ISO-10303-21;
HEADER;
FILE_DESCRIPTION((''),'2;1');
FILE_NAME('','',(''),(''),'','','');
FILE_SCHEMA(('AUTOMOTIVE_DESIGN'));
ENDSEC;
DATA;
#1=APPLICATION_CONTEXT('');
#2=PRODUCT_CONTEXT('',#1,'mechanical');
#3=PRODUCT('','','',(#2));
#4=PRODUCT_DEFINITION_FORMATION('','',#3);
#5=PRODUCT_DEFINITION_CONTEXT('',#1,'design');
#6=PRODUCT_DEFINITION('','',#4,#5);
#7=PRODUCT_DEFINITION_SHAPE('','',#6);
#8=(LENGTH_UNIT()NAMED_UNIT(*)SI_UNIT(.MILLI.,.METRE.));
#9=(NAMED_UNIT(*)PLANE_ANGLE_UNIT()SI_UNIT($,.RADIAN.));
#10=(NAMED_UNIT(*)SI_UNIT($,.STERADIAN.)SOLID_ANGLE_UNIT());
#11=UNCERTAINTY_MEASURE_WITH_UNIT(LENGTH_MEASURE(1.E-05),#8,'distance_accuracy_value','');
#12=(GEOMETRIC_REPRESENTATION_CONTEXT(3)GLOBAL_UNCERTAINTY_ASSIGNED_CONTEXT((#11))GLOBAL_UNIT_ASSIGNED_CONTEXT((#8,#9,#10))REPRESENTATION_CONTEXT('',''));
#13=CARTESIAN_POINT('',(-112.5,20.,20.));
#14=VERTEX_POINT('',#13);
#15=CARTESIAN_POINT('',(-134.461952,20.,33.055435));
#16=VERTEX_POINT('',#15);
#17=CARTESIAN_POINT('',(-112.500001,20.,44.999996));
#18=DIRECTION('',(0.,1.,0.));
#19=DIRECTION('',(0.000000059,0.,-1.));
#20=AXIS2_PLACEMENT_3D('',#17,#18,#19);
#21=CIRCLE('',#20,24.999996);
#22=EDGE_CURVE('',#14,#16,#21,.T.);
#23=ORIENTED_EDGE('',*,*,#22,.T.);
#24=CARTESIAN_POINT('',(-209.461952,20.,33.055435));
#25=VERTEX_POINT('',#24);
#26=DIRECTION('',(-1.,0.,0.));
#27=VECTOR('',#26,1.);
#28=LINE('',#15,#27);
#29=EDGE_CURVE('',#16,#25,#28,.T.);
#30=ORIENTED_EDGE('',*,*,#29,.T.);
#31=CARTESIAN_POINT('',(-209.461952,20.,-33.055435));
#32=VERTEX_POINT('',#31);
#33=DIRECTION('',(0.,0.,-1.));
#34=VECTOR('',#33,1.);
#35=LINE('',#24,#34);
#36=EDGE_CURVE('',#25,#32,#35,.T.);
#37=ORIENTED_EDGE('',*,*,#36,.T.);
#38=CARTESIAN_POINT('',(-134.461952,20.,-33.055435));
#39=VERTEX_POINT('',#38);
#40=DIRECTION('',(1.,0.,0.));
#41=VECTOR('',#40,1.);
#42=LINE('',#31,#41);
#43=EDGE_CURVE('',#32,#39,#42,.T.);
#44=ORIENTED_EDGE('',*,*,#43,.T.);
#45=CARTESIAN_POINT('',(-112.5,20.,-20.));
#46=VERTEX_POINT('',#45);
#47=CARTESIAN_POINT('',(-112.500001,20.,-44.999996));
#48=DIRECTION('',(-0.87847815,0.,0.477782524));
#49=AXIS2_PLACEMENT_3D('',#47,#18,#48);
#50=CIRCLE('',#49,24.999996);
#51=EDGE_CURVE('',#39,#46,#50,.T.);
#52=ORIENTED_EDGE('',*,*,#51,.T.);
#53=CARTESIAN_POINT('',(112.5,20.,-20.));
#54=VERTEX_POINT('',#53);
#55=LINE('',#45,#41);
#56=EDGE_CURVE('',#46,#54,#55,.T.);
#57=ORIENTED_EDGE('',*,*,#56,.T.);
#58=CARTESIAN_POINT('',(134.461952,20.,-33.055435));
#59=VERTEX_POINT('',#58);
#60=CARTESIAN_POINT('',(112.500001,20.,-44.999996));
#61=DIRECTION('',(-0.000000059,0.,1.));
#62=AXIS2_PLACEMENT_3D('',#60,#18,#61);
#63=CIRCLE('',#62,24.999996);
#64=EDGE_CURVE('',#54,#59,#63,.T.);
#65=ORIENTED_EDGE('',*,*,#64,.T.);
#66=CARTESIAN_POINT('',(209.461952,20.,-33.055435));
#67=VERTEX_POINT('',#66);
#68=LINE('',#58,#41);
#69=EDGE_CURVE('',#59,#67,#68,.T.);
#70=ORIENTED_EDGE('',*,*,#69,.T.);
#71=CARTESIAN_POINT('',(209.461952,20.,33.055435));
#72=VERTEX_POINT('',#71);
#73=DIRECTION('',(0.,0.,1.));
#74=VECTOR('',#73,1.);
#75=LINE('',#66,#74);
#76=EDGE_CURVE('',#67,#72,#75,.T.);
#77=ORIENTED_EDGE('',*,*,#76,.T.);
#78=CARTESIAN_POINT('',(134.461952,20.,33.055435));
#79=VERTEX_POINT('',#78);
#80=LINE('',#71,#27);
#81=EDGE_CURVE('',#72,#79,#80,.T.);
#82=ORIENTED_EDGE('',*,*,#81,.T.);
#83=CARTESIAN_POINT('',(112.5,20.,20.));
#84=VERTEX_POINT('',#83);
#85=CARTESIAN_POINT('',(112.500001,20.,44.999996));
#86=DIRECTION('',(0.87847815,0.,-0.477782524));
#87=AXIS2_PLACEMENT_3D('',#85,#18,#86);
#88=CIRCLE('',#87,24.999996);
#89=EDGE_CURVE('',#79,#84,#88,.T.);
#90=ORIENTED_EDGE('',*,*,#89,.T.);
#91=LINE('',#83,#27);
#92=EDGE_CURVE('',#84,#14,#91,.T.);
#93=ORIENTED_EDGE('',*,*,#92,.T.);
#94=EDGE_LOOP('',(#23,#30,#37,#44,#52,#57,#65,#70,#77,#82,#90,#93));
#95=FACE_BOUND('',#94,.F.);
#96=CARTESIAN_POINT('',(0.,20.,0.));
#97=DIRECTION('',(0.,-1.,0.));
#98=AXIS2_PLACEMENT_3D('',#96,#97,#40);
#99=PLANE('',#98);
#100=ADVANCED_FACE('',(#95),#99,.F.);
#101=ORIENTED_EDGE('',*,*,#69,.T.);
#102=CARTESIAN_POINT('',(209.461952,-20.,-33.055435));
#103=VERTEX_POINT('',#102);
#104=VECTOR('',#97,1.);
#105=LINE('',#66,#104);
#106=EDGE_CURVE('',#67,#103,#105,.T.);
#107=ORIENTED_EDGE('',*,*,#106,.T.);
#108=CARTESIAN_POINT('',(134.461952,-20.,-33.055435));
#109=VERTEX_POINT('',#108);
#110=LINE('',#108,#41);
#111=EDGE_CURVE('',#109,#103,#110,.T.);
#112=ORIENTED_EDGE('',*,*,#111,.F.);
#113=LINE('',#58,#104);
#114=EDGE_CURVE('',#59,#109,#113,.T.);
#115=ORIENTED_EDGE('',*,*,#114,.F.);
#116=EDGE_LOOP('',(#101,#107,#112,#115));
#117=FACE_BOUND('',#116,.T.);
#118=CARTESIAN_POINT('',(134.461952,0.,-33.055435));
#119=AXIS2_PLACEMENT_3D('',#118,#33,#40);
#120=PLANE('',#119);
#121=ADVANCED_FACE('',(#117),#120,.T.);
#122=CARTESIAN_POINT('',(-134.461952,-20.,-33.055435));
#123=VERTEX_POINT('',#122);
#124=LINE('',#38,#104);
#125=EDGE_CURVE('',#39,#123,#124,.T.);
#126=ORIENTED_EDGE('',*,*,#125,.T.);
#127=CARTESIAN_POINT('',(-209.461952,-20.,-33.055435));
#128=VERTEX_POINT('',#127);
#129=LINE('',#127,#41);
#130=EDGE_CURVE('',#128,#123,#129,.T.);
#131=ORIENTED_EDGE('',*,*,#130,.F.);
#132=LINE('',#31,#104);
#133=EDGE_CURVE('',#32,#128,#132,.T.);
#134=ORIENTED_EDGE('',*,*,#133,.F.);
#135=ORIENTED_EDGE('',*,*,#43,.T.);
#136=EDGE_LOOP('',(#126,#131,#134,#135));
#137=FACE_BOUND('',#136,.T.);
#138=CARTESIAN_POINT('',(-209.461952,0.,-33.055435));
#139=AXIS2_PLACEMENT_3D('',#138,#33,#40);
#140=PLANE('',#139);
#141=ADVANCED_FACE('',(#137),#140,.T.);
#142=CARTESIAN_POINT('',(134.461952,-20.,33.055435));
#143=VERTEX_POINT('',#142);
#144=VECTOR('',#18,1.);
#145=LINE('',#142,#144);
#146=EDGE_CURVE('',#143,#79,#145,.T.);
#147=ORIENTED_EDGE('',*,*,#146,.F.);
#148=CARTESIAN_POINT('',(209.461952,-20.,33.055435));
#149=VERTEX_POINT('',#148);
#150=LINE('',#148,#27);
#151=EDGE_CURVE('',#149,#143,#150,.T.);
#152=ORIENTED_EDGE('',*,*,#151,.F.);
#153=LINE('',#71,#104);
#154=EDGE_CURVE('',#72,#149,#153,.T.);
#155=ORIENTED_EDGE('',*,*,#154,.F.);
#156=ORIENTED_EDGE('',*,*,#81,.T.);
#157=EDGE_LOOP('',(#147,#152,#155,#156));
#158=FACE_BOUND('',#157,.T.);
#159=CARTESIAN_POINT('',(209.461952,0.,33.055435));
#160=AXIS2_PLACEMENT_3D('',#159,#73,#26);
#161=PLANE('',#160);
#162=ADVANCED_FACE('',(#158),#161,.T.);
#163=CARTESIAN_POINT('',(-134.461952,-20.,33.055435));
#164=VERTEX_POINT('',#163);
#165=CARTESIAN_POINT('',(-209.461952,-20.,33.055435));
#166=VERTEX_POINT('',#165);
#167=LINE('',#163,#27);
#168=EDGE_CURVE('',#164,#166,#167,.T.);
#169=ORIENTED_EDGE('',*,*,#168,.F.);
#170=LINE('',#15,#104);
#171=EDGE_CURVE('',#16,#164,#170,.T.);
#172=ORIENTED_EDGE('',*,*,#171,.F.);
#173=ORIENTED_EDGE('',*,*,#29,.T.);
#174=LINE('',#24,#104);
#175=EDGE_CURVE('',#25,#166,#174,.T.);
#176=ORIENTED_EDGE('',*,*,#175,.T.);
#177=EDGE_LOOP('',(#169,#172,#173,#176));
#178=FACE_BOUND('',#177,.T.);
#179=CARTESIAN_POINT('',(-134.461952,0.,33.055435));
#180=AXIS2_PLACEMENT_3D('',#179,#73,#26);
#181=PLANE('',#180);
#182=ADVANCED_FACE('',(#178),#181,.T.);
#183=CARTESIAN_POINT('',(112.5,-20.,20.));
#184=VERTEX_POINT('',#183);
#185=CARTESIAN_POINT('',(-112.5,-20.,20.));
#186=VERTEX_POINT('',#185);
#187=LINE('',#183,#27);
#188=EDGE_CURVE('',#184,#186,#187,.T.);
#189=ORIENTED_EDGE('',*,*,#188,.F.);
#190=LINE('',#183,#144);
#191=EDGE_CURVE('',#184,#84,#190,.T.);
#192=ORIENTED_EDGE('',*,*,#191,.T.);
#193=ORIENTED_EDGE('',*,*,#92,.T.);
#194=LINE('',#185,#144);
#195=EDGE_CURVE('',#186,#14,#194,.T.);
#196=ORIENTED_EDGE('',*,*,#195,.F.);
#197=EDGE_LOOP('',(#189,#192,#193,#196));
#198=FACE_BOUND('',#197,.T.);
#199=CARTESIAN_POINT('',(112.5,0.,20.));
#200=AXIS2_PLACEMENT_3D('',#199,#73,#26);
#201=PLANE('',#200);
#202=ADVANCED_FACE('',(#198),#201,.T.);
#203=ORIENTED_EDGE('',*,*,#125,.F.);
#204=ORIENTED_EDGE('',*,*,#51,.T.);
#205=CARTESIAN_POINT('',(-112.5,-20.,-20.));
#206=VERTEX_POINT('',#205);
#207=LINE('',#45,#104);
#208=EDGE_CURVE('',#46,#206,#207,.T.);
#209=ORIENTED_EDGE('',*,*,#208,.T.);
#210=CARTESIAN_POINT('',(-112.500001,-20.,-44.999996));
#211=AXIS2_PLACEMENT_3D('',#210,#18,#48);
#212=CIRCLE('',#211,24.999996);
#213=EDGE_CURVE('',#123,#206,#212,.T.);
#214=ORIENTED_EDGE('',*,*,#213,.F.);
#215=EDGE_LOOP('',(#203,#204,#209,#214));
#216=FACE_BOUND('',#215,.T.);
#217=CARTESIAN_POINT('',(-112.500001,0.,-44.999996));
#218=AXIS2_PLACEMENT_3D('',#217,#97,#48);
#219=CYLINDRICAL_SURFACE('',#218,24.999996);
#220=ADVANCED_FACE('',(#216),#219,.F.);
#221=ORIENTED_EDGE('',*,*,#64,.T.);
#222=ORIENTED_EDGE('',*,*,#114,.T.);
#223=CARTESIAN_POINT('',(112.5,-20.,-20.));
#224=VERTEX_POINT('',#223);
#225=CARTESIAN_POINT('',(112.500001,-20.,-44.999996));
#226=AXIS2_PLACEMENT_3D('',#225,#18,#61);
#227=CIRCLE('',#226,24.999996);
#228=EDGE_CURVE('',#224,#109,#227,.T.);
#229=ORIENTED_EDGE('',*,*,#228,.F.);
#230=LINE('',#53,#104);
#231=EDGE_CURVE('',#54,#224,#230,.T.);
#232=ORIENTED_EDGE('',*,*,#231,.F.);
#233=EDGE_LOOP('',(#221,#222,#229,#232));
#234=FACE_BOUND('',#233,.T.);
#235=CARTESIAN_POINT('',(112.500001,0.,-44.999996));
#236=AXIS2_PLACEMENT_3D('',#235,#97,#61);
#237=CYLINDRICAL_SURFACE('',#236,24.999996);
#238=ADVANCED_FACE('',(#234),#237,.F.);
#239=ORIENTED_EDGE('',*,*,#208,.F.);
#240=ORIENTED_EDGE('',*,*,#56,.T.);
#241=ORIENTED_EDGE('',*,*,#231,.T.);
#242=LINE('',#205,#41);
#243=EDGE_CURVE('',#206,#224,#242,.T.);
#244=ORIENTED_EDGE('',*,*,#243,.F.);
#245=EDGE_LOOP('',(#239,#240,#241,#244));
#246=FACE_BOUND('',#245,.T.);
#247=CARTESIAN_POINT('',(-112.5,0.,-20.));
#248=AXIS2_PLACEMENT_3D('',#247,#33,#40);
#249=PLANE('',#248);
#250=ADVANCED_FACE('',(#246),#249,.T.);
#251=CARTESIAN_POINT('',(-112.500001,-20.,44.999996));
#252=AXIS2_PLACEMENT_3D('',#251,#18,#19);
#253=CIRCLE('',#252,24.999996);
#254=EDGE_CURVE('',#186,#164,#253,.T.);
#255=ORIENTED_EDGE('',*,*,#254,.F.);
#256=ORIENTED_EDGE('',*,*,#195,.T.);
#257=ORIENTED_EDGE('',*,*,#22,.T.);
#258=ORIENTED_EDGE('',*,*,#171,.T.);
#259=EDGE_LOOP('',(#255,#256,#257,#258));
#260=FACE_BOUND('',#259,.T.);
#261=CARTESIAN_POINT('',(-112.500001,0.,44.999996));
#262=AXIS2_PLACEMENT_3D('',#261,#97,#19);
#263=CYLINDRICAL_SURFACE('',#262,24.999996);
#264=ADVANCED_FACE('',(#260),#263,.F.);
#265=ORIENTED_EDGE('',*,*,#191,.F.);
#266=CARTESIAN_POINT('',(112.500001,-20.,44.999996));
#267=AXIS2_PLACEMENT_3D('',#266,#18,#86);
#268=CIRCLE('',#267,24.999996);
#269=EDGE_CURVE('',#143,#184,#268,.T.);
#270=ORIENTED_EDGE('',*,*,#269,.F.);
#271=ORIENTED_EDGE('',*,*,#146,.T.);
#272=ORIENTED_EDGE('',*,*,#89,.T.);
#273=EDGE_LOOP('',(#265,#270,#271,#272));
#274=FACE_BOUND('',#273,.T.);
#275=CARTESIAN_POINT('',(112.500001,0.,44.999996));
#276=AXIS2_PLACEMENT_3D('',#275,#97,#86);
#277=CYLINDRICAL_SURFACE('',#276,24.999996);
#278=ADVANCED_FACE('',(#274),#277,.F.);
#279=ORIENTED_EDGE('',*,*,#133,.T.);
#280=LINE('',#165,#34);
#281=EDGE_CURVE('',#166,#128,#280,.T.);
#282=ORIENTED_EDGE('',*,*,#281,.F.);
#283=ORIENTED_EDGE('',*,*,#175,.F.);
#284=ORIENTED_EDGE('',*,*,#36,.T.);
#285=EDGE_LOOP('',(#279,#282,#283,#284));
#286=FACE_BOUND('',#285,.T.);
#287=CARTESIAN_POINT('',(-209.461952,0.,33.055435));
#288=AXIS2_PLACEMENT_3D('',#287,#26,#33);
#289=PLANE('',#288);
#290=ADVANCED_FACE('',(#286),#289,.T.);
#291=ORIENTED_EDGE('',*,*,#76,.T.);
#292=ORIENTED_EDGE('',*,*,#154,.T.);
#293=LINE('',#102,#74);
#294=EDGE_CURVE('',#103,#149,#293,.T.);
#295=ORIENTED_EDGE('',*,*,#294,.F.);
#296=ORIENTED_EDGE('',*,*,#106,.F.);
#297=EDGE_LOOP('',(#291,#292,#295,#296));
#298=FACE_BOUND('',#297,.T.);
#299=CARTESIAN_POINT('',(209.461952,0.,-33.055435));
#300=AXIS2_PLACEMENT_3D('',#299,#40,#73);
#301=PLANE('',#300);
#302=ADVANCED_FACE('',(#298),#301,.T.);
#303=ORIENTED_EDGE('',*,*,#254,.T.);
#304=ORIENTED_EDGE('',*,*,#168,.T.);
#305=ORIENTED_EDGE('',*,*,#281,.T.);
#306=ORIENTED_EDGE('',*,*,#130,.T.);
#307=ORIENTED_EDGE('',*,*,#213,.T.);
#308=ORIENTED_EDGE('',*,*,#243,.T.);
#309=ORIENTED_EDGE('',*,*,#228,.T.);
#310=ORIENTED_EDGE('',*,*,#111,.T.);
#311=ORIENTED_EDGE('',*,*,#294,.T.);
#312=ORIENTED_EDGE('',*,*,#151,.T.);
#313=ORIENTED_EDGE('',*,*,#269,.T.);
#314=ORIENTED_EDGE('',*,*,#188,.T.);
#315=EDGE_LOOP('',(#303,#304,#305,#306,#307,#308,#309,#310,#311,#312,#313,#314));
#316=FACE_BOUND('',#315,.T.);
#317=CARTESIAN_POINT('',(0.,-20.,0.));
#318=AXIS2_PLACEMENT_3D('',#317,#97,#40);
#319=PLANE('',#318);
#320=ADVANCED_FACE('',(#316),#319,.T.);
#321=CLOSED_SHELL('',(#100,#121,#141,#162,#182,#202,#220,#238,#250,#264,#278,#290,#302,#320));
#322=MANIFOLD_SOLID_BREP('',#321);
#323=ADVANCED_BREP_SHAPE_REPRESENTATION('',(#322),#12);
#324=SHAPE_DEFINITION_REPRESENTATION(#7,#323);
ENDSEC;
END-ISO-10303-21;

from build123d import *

# Parameters (mm, degrees)
F1_DEPTH = 20


with BuildPart() as f1:
    # F0 (on Front) → F1 (new body, symmetric)
    with BuildSketch(Plane.XZ):
        with BuildLine():
            Line((56.25, 20), (0, 20))
            Line((0, 20), (-56.25, 20))
            Line((-56.25, 20), (-112.5, 20))
            ThreePointArc((-112.5, 20), (-125.274699, 23.510303), (-134.461952, 33.055435))
            Line((-134.461952, 33.055435), (-209.461952, 33.055435))
            Line((-209.461952, 33.055435), (-209.461952, 0))
            Line((-209.461952, 0), (-209.461952, -33.055435))
            Line((-209.461952, -33.055435), (-134.461952, -33.055435))
            ThreePointArc((-134.461952, -33.055435), (-125.274699, -23.510303), (-112.5, -20))
            Line((-112.5, -20), (-56.25, -20))
            Line((-56.25, -20), (0, -20))
            Line((0, -20), (56.25, -20))
            Line((56.25, -20), (112.5, -20))
            ThreePointArc((112.5, -20), (125.274699, -23.510303), (134.461952, -33.055435))
            Line((134.461952, -33.055435), (209.461952, -33.055435))
            Line((209.461952, -33.055435), (209.461952, 0))
            Line((209.461952, 0), (209.461952, 33.055435))
            Line((209.461952, 33.055435), (134.461952, 33.055435))
            ThreePointArc((134.461952, 33.055435), (125.274699, 23.510303), (112.5, 20))
            Line((112.5, 20), (56.25, 20))
        make_face()
    extrude(amount=F1_DEPTH, both=True)


solid = f1.part
